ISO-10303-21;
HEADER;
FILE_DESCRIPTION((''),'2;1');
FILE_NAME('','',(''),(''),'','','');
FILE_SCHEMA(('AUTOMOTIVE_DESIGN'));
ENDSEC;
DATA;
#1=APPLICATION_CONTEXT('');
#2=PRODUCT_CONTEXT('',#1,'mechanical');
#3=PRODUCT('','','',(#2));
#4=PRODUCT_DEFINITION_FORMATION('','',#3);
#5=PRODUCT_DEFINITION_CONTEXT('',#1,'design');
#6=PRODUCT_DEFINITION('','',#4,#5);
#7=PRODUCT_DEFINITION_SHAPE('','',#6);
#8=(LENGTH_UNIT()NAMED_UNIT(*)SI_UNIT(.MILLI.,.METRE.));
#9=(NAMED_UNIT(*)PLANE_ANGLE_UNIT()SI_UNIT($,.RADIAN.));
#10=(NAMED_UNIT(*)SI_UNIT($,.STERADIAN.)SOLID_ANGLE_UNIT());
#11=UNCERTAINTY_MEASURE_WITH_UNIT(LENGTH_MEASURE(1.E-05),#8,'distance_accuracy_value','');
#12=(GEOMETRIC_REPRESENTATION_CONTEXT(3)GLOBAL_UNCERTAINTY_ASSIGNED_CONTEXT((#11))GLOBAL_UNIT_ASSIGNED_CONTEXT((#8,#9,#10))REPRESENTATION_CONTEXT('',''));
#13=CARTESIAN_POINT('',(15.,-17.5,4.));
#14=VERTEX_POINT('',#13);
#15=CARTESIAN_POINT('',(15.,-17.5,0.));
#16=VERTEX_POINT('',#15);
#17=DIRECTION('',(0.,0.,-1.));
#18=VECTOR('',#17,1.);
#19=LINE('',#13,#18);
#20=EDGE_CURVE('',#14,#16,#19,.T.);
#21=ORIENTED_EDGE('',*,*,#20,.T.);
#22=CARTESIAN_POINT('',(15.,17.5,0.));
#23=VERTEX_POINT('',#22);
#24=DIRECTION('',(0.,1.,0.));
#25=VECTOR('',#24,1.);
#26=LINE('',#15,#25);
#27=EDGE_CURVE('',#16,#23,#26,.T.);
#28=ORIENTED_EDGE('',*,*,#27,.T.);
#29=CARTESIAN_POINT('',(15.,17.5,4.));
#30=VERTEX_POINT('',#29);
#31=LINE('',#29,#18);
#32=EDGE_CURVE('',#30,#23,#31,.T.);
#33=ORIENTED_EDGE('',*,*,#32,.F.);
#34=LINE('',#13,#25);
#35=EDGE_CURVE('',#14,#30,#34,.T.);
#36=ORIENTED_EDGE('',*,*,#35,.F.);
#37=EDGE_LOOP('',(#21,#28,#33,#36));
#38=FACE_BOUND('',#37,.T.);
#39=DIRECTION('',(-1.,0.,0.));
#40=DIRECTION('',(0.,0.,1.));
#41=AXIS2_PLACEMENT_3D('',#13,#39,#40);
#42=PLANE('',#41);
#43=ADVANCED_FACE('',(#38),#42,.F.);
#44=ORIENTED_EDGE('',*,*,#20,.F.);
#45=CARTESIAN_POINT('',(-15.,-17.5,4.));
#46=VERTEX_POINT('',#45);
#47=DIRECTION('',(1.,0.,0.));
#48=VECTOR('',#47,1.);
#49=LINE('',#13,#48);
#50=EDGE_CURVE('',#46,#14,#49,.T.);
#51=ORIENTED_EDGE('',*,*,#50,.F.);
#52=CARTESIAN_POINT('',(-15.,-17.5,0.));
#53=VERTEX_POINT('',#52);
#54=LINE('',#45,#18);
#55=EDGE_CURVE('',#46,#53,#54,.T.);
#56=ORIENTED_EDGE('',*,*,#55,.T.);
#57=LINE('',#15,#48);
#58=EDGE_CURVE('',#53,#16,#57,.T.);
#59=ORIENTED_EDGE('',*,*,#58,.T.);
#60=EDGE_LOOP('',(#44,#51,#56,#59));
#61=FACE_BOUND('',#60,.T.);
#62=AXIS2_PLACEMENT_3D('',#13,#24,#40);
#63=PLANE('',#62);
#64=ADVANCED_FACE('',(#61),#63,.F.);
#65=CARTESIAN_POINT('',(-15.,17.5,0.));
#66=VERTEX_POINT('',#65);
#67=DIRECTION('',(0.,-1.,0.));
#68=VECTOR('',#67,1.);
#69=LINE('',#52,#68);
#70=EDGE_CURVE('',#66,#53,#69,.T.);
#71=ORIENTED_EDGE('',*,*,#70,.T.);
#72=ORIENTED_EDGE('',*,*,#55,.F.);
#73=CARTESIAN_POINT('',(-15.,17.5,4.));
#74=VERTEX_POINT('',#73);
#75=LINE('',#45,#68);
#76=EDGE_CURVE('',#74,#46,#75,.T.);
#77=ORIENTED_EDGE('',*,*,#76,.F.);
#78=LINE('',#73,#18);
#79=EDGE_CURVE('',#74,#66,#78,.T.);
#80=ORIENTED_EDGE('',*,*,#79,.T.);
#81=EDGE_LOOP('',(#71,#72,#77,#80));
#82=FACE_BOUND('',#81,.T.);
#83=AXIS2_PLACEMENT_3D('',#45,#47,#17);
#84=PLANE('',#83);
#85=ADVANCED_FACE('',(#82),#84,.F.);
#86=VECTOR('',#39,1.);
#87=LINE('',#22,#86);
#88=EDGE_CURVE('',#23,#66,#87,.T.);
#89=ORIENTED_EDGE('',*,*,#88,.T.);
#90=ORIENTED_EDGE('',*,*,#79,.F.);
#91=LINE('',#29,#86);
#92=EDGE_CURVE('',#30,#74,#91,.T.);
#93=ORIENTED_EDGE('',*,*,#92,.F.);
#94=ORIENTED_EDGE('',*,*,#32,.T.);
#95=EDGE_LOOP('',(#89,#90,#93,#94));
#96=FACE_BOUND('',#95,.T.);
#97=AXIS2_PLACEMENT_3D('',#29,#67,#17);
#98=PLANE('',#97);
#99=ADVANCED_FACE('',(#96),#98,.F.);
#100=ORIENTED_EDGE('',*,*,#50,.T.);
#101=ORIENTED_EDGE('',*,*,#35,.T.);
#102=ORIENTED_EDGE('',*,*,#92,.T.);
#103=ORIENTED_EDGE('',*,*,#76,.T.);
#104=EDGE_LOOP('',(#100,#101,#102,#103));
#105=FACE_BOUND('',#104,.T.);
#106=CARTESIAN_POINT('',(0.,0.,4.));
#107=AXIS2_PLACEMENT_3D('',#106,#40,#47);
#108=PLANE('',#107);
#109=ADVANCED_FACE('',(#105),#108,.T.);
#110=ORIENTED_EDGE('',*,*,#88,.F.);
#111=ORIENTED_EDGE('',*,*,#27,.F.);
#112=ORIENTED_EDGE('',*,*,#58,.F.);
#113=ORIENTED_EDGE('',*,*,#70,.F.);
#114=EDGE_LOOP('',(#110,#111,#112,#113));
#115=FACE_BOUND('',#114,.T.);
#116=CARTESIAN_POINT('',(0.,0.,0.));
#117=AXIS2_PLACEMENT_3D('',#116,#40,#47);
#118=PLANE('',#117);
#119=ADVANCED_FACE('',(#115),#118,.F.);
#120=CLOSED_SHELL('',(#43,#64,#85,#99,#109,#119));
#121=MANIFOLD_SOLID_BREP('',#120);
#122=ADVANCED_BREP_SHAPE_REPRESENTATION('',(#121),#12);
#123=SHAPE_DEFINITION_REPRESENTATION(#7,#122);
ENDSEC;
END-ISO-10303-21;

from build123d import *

# Parameters (mm, degrees)
SKETCH_1_W      = 30
SKETCH_1_H      = 35
EXTRUDE_1_DEPTH = 4


with BuildPart() as part:
    # 草图1 → 凸台-拉伸1 (new body)
    with BuildSketch(Plane.XY):
        Rectangle(SKETCH_1_W, SKETCH_1_H)
    extrude(amount=EXTRUDE_1_DEPTH)


solid = part.part
